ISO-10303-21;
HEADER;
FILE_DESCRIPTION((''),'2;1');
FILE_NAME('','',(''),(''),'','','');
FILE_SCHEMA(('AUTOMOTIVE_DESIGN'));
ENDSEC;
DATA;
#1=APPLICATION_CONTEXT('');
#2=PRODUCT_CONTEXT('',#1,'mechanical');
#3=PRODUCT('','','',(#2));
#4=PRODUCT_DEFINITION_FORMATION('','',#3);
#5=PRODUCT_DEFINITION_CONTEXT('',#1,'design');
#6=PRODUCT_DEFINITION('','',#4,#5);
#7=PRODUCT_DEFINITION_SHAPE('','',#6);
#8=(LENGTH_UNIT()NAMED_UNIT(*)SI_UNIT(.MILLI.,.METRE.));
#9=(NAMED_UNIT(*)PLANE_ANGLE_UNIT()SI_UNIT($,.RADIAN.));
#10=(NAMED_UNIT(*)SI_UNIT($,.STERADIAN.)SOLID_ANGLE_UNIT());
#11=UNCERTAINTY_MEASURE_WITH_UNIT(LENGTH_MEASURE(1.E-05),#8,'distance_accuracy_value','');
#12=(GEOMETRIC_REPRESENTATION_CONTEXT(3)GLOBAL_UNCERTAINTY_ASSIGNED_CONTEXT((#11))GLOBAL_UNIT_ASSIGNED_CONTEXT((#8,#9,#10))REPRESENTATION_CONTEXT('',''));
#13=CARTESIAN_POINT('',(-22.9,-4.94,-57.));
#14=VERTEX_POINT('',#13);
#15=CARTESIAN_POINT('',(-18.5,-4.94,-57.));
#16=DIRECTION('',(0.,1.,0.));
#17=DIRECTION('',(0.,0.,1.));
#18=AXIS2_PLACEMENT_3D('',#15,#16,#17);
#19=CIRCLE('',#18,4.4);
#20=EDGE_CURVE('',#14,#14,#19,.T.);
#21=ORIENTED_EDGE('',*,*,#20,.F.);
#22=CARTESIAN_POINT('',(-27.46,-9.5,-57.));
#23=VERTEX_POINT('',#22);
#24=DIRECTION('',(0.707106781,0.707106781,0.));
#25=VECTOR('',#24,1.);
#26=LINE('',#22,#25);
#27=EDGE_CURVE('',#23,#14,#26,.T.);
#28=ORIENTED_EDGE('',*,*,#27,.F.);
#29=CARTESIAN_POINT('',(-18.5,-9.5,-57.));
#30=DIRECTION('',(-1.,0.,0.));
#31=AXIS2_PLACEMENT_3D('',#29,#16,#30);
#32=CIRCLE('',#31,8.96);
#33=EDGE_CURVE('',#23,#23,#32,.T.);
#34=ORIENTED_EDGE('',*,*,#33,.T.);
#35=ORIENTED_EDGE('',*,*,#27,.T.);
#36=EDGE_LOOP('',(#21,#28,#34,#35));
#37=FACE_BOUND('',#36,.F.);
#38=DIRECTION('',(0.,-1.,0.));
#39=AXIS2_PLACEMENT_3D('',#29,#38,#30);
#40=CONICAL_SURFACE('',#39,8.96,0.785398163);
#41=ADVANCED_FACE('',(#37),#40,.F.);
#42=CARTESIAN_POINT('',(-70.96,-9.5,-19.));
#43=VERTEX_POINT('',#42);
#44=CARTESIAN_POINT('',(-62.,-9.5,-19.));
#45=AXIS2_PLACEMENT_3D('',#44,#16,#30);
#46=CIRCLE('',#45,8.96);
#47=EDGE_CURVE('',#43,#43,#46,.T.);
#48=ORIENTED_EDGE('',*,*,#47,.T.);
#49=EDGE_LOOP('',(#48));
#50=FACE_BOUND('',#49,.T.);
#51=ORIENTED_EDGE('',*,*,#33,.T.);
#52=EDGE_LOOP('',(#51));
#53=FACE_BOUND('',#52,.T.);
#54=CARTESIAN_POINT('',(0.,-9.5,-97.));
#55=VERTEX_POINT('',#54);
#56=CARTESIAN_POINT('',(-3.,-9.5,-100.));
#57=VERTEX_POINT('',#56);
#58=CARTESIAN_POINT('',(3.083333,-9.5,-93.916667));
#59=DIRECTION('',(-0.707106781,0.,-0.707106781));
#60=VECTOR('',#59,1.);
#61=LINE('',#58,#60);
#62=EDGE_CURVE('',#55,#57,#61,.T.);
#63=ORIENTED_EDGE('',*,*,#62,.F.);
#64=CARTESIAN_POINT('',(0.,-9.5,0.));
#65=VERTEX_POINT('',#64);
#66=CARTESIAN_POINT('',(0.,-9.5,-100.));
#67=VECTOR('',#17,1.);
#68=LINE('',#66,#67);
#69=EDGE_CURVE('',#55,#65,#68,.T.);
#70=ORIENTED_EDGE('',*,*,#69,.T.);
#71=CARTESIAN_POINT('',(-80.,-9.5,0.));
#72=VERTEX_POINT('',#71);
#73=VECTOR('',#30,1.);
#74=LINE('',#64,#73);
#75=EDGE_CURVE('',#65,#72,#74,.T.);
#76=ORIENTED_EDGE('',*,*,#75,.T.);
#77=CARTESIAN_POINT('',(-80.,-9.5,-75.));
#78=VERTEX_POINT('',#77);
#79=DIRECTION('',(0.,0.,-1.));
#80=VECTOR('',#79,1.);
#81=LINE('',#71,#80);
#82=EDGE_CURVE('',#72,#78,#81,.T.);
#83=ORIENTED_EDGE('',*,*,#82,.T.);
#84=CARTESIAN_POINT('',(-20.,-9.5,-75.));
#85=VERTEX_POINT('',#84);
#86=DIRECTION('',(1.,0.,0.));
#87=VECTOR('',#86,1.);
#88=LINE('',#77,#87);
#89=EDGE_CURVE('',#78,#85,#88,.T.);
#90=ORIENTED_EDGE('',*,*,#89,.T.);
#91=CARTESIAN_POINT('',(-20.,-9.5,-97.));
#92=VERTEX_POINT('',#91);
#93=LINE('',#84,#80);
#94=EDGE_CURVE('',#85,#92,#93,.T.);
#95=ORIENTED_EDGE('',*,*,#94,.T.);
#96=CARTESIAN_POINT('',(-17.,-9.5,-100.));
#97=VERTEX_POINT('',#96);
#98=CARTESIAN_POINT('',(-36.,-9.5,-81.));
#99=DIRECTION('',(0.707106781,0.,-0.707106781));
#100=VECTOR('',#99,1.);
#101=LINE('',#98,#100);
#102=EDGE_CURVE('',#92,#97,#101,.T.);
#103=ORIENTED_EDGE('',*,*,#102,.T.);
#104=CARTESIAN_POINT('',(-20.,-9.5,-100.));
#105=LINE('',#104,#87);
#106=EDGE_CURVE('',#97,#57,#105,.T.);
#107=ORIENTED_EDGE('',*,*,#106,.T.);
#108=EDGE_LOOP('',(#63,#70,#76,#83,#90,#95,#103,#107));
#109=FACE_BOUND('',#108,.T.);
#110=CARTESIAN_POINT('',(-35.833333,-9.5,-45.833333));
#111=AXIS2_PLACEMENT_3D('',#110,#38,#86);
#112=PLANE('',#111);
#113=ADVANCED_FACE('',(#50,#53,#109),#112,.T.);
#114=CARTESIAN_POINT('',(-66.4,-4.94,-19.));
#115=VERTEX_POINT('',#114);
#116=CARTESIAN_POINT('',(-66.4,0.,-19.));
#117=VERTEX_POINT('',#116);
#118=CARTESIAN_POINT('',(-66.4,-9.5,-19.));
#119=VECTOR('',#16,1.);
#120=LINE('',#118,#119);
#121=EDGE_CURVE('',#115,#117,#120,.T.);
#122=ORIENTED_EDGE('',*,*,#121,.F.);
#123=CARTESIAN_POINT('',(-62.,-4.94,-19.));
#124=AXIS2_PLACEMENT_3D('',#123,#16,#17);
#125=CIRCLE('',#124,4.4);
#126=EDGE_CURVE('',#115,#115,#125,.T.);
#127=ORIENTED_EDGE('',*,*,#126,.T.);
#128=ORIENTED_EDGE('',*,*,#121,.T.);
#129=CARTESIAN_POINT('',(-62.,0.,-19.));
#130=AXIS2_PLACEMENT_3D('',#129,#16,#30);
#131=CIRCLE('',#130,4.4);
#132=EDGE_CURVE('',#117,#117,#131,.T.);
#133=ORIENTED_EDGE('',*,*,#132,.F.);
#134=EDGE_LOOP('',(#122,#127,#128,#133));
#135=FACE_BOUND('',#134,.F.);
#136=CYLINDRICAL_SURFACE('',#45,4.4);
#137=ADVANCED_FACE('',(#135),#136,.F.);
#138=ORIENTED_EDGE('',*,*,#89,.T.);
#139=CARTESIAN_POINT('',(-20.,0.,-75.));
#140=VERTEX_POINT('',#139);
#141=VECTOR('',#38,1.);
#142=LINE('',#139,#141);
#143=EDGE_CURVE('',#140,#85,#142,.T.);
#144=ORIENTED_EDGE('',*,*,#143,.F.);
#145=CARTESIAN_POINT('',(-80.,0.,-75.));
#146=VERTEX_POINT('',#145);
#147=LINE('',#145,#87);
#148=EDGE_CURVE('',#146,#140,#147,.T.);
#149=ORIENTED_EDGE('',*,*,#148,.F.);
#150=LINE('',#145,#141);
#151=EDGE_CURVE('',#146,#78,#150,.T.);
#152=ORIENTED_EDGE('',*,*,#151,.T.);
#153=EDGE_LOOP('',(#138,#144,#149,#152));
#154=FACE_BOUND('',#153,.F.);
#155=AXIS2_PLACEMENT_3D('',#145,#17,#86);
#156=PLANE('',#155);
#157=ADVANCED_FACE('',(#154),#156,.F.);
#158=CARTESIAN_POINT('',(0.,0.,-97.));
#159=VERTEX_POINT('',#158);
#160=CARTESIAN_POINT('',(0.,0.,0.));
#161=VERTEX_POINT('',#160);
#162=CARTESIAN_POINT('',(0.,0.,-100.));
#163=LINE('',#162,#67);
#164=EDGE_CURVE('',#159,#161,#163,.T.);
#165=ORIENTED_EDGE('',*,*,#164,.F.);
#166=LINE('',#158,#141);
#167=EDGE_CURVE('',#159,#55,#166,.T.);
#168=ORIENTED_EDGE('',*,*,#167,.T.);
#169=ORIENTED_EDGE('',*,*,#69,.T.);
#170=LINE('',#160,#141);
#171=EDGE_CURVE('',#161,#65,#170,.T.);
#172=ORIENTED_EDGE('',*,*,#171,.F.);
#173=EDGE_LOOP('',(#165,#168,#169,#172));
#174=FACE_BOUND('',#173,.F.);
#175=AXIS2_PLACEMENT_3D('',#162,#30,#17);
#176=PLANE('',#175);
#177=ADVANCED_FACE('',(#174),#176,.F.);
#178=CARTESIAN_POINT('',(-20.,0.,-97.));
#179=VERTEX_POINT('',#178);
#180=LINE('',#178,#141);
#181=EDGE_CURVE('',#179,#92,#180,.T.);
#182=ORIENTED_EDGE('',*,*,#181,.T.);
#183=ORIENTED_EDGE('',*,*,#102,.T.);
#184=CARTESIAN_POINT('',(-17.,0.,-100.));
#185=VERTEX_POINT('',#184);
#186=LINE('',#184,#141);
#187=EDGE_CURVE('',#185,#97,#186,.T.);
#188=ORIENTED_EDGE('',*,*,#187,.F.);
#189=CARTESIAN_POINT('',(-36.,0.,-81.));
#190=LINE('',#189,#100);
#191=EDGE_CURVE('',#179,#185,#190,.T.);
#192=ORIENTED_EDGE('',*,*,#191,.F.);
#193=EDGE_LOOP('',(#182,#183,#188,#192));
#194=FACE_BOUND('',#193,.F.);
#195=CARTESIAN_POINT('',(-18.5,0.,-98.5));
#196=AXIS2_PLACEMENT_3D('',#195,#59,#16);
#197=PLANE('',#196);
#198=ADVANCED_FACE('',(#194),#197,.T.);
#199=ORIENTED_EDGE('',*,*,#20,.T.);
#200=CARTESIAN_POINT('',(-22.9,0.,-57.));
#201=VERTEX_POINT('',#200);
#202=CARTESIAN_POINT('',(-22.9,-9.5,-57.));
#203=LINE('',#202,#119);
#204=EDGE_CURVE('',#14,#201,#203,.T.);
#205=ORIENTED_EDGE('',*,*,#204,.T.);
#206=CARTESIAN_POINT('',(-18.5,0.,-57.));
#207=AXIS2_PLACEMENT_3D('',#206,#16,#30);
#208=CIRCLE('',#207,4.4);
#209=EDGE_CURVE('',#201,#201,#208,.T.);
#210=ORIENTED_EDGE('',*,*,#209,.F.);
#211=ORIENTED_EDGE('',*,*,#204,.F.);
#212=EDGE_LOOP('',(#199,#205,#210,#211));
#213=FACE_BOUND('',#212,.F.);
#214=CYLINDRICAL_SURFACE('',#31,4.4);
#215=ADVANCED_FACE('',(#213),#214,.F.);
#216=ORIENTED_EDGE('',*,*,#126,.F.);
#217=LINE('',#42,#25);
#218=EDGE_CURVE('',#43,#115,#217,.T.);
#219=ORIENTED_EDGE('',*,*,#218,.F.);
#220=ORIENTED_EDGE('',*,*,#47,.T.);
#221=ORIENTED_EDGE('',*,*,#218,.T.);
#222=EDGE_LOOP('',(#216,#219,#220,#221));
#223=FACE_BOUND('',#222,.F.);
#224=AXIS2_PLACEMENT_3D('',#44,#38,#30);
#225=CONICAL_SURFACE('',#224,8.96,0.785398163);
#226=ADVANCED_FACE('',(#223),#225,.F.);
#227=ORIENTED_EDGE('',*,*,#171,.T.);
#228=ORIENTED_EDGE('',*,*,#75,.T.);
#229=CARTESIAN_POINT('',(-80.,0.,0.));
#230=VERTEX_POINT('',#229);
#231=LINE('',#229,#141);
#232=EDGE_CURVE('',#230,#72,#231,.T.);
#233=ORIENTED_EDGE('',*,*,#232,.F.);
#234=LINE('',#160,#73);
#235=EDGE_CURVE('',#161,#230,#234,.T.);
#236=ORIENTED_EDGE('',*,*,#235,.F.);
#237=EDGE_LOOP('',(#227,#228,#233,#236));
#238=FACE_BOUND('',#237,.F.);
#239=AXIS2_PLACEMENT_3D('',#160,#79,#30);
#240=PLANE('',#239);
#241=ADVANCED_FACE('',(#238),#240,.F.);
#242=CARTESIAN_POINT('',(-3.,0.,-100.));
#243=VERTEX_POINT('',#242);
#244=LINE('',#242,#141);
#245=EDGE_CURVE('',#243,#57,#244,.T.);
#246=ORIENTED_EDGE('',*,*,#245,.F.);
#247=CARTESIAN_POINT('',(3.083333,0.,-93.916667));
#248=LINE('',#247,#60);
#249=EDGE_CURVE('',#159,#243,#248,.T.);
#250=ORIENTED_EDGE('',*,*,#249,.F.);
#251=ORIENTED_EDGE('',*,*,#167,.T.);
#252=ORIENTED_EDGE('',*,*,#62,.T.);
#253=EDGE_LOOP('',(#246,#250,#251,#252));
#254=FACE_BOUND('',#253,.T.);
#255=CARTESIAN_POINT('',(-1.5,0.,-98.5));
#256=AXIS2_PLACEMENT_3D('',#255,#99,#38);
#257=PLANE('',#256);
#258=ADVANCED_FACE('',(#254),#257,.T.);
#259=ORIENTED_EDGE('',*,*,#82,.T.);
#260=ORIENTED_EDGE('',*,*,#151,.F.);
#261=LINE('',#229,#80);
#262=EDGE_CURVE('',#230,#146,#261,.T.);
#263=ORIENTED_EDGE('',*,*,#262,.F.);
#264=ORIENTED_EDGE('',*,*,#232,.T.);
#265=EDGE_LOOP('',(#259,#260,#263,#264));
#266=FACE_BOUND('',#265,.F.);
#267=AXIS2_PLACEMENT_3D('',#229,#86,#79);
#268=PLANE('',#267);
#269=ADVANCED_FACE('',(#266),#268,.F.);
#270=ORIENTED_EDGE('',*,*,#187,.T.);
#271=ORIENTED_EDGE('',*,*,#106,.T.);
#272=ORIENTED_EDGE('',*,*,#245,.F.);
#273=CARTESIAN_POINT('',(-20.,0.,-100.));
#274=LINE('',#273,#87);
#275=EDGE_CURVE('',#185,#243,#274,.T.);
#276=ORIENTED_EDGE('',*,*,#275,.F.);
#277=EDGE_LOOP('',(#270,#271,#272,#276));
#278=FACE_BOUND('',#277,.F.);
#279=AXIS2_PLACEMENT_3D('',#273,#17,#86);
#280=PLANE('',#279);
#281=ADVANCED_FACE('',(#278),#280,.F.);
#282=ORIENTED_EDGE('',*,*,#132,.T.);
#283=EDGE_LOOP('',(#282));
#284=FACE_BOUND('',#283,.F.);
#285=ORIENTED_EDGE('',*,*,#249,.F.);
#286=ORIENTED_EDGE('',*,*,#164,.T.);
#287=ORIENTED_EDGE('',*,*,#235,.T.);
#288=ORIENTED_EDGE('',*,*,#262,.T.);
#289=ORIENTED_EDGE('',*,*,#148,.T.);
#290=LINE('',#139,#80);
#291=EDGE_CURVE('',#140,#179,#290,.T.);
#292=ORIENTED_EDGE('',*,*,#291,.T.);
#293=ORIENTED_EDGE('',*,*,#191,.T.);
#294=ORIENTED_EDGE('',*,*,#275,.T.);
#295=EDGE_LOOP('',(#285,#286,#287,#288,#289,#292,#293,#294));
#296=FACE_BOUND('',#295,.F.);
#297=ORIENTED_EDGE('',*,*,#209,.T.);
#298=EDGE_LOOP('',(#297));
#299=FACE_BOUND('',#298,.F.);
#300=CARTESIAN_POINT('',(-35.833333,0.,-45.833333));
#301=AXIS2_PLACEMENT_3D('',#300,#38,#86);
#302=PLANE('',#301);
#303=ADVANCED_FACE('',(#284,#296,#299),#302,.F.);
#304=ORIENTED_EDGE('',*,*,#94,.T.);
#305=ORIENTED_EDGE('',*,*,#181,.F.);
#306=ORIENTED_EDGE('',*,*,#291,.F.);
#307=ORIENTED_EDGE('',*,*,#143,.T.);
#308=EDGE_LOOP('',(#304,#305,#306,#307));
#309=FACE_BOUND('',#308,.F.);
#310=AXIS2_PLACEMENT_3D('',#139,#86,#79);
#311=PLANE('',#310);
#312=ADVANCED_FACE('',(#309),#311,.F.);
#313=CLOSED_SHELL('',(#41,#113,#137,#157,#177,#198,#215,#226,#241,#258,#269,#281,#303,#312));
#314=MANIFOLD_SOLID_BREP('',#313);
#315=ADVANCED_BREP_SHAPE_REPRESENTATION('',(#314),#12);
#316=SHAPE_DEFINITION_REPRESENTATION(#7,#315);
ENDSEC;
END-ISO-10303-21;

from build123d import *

# Parameters (mm, degrees)
F1_DEPTH       = 9.5
F3_D           = 8.8
F3_CSINK_D     = 17.92
F3_CSINK_ANGLE = 90
F4_SIZE        = 3


with BuildPart() as f1:
    # F0 (on Front) → F1 (new body)
    with BuildSketch(Plane.XZ):
        Polygon((0, -100), (0, 0), (-80, 0), (-80, -75), (-20, -75), (-20, -100), align=None)
    extrude(amount=F1_DEPTH)

    # F3 (through all)
    with Locations(Plane.XZ.offset(9.5)):
        with Locations((-62, -19), (-18.5, -57)):
            CounterSinkHole(F3_D / 2, F3_CSINK_D / 2, counter_sink_angle=F3_CSINK_ANGLE)

    # F4
    f4_edges = [f1.edges().sort_by_distance(p)[0] for p in [
        (-20, -4.75, -100),
        (0, -4.75, -100),
    ]]
    chamfer(f4_edges, length=F4_SIZE)


solid = f1.part
